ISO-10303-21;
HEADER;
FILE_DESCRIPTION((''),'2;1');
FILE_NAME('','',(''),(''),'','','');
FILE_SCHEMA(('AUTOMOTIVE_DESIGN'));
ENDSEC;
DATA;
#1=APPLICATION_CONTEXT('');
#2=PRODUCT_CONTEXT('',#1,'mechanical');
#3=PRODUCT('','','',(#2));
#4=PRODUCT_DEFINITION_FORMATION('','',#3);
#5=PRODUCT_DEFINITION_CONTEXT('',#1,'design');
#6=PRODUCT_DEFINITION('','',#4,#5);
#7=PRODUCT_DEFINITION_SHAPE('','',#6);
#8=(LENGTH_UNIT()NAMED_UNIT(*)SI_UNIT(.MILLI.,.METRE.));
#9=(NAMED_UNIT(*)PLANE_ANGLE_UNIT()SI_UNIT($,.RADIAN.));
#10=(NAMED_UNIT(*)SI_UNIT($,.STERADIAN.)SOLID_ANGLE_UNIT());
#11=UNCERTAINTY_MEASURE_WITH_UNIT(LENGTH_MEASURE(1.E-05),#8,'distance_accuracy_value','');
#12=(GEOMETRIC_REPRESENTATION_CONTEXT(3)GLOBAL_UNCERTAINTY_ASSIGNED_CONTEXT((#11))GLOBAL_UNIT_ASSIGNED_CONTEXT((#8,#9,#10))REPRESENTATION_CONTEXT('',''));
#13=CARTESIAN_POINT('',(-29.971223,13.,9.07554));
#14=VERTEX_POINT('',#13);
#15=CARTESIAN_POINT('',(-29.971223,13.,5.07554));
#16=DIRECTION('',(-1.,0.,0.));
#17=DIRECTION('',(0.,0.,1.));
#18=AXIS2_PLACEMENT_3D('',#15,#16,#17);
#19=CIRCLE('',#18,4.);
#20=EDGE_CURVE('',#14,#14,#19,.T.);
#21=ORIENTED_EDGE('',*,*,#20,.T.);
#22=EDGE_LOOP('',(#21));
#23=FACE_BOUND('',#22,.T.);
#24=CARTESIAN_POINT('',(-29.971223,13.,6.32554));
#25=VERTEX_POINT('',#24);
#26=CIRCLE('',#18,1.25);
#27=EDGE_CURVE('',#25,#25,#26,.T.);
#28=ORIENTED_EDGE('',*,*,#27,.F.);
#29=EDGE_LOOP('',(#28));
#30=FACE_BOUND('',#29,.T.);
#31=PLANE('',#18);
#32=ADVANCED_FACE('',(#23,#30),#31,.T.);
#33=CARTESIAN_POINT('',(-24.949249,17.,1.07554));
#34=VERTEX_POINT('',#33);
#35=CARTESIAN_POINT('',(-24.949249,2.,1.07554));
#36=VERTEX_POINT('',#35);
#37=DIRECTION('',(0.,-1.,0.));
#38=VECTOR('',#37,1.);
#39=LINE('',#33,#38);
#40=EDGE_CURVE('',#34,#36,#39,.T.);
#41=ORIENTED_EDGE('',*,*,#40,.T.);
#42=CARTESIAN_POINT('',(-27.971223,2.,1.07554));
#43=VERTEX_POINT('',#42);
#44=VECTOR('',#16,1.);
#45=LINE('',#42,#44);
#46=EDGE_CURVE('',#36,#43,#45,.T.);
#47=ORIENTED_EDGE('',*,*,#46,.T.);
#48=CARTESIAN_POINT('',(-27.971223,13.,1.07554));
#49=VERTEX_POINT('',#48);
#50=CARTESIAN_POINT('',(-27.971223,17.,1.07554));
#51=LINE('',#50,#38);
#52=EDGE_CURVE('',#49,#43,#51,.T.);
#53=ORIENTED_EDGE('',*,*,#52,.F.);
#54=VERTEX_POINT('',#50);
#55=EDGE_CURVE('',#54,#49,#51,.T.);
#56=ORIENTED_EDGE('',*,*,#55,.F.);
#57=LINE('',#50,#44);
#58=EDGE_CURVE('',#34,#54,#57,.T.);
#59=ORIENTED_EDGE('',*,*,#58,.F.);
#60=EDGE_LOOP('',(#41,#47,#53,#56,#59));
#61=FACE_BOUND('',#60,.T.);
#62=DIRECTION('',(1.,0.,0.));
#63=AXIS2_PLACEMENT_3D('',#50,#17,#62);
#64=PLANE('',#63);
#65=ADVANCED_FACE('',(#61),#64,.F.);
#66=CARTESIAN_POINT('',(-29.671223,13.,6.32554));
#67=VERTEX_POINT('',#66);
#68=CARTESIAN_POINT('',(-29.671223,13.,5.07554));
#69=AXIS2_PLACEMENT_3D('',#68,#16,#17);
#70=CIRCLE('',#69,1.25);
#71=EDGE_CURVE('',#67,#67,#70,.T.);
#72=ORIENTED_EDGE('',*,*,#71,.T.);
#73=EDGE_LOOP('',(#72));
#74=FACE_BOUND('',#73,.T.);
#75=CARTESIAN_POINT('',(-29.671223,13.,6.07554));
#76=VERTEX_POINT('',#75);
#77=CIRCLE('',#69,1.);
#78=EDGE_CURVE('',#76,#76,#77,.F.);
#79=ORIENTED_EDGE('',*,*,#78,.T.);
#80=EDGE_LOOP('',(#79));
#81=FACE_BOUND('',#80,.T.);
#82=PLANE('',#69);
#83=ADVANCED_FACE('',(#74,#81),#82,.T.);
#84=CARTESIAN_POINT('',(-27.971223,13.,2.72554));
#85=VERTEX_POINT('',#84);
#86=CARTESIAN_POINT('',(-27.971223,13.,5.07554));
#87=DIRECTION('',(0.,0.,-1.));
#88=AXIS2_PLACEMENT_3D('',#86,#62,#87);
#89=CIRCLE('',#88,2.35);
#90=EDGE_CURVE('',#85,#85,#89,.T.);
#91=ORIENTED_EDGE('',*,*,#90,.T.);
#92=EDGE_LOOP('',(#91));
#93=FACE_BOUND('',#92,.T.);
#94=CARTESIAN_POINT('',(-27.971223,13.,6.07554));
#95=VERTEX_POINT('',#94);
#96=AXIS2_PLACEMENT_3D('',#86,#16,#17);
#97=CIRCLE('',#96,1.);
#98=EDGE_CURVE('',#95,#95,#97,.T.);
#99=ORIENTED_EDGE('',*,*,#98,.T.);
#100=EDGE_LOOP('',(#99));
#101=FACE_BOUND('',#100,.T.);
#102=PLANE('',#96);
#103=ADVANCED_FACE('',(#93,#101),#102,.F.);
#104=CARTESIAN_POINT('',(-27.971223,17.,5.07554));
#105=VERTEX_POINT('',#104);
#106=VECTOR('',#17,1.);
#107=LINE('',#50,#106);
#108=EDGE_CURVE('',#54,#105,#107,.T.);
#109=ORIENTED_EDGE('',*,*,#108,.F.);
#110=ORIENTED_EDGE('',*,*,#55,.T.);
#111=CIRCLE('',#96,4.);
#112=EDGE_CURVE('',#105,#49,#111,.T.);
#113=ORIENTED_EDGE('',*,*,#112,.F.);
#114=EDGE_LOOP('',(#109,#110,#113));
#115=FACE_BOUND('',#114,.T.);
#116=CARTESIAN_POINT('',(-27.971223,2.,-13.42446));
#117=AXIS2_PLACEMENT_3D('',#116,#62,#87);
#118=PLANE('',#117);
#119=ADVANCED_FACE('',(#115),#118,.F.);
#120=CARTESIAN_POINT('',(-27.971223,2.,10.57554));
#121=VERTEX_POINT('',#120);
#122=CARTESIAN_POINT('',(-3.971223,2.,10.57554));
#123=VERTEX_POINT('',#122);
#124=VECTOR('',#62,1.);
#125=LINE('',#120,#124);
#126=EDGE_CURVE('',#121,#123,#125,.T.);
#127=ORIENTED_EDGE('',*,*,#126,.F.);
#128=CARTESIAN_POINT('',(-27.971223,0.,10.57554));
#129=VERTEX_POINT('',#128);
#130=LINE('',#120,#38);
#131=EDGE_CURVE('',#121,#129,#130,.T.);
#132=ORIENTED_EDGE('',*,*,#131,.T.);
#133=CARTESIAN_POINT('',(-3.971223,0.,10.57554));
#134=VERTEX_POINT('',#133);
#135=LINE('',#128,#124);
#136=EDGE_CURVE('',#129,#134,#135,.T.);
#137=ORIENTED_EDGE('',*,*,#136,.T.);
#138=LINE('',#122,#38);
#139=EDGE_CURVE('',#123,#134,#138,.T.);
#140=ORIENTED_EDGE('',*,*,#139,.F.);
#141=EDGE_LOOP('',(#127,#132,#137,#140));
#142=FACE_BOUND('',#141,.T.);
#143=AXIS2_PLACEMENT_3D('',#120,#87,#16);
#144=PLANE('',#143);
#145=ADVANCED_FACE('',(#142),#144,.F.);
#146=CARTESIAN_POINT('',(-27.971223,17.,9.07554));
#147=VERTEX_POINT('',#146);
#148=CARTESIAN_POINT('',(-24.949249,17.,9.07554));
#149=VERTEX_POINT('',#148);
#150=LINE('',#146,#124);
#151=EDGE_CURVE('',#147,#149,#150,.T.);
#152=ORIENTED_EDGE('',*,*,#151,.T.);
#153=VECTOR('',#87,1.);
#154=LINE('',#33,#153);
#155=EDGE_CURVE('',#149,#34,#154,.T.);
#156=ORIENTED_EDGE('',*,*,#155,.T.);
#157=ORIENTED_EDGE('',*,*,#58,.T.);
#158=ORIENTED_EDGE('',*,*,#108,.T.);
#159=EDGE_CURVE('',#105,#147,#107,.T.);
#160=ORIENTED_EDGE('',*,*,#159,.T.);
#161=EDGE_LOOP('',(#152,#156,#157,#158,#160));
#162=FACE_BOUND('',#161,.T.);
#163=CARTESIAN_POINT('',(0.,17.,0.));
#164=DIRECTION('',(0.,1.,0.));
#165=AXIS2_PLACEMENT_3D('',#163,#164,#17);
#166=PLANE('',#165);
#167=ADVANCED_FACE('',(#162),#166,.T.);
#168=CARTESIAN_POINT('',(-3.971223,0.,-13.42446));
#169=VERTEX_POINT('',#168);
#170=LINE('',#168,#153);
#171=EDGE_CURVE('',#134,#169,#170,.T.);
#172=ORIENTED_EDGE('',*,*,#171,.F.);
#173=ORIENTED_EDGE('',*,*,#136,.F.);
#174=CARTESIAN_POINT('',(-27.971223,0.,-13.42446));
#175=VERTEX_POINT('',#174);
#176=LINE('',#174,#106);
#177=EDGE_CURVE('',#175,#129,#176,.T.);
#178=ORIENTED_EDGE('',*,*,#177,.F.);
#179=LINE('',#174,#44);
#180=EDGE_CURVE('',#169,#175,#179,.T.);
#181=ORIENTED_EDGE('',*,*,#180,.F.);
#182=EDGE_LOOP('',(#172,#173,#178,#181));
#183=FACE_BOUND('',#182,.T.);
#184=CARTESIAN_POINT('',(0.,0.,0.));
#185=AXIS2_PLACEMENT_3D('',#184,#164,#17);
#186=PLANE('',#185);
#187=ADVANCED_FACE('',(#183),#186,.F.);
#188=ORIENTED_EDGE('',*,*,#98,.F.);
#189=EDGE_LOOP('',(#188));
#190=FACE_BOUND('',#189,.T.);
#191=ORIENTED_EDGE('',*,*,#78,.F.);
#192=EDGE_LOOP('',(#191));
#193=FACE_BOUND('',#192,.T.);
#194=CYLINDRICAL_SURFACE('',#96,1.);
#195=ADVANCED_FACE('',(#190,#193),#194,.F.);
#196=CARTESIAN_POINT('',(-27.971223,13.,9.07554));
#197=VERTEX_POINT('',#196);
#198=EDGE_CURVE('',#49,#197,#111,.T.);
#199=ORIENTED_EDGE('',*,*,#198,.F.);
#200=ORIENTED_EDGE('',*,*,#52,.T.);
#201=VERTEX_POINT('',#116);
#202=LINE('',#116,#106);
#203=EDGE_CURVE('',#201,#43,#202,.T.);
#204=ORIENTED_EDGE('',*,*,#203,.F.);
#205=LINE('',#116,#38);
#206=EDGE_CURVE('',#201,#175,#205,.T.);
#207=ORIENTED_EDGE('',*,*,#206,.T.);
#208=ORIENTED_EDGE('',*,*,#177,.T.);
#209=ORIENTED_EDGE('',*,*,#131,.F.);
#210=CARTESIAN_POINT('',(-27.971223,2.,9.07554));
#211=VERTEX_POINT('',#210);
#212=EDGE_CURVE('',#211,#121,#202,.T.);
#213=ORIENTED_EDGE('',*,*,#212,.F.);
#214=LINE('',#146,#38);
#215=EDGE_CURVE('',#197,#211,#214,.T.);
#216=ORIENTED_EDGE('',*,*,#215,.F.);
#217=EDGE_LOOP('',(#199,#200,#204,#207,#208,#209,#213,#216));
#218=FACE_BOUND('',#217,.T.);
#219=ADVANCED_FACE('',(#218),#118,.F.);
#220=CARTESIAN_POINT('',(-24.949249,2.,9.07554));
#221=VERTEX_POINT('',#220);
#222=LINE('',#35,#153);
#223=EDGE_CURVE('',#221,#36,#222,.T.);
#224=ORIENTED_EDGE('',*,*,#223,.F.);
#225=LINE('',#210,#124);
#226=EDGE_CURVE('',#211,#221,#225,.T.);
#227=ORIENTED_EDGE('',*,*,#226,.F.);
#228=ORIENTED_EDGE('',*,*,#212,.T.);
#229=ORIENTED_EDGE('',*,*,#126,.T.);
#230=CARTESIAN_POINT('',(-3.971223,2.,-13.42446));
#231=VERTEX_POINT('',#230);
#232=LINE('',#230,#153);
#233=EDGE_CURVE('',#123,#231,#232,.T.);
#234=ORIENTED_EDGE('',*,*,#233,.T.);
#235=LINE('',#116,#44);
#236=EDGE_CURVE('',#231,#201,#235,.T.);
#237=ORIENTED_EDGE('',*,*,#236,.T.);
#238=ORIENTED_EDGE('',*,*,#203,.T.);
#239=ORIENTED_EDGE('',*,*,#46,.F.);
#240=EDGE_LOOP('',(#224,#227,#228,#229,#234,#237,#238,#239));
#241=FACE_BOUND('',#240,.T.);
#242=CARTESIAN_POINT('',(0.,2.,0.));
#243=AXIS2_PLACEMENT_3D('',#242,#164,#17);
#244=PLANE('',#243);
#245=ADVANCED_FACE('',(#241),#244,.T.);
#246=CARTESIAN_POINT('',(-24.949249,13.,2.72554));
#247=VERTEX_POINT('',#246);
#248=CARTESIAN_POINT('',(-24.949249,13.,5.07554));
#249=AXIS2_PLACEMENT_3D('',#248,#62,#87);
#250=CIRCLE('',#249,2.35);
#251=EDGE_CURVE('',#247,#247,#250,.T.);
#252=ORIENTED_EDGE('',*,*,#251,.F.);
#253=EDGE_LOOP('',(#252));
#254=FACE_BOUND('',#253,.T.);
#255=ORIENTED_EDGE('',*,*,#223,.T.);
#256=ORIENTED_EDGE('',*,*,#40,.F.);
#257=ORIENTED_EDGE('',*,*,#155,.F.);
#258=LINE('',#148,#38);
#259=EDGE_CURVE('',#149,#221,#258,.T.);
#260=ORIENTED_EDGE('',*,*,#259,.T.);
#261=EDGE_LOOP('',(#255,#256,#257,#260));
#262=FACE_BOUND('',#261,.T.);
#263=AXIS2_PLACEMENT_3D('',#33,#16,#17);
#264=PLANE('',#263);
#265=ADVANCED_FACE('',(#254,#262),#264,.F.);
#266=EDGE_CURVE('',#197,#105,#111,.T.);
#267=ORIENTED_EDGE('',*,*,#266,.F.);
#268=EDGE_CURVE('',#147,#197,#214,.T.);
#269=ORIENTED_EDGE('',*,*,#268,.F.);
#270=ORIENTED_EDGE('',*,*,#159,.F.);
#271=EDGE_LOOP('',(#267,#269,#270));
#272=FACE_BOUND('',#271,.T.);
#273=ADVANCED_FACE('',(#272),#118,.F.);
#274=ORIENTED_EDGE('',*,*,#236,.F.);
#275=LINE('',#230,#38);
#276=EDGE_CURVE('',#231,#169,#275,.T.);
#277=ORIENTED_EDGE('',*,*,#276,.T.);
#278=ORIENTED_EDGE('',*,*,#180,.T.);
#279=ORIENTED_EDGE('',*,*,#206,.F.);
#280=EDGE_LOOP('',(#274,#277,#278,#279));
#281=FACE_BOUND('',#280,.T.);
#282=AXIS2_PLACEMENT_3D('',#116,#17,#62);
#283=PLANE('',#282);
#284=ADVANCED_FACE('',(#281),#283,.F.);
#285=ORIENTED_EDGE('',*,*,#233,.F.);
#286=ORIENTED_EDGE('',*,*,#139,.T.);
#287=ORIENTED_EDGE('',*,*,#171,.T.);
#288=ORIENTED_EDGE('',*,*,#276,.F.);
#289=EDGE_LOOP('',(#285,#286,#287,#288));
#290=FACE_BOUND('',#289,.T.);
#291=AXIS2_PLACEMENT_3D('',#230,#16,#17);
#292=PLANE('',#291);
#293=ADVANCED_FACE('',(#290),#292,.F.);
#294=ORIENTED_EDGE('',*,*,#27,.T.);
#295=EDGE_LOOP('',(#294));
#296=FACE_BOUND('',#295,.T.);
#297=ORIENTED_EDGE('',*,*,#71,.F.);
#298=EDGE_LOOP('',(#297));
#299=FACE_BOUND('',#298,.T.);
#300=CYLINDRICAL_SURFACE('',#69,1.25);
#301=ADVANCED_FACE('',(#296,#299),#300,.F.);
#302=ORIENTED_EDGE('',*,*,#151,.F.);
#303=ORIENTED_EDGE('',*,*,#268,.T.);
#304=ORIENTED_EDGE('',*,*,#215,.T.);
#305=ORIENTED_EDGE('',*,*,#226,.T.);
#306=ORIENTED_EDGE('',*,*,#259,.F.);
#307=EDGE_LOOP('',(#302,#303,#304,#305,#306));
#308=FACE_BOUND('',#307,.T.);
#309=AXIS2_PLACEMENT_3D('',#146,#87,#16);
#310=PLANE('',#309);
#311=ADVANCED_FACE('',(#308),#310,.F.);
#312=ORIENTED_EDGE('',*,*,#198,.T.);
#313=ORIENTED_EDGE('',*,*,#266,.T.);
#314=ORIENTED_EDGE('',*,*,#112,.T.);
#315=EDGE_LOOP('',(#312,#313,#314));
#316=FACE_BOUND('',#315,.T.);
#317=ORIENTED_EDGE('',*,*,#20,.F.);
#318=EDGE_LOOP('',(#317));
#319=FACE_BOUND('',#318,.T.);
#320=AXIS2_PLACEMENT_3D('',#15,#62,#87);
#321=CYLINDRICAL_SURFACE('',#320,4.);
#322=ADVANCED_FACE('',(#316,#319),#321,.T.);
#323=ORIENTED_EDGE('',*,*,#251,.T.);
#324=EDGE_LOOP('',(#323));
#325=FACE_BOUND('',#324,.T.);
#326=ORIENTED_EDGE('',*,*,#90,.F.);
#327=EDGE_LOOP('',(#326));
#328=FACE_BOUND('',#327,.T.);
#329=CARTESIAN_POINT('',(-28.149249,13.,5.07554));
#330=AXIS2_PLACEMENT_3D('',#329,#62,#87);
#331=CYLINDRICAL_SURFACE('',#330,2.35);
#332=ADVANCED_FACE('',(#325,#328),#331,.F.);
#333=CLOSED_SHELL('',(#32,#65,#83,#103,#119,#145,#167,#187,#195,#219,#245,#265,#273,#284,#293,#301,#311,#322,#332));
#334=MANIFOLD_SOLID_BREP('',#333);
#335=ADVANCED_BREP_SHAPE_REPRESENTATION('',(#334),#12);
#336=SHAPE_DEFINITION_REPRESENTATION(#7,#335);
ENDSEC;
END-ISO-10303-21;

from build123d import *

# Parameters (mm, degrees)
SKETCH3_W           = 24
SKETCH3_H           = 24
BOSS_EXTRUDE1_DEPTH = 2
SKETCH4_W           = 3.021973807
SKETCH4_H           = 8
BOSS_EXTRUDE2_DEPTH = 15
SKETCH6_R           = 2.35
CUT_EXTRUDE1_DEPTH  = 3.2
SKETCH7_R           = 4
BOSS_EXTRUDE3_DEPTH = 2
SKETCH8_R           = 1
CUT_EXTRUDE2_DEPTH  = 2
SKETCH9_R           = 1.25
CUT_EXTRUDE3_DEPTH  = 0.3


with BuildPart() as part:
    # Sketch3 → Boss-Extrude1 (new body)
    with BuildSketch(Plane(origin=(0, 0, 0), x_dir=(1, 0, 0), z_dir=(0, 1, 0))):
        with Locations((-15.971223022, 1.424460432)):
            Rectangle(SKETCH3_W, SKETCH3_H)
    extrude(amount=BOSS_EXTRUDE1_DEPTH)

    # Sketch4 → Boss-Extrude2 (add)
    with BuildSketch(Plane(origin=(0, 2, 0), x_dir=(1, 0, 0), z_dir=(0, 1, 0))):
        with Locations((-26.460236118, -5.075539568)):
            Rectangle(SKETCH4_W, SKETCH4_H)
    extrude(amount=BOSS_EXTRUDE2_DEPTH)

    # Sketch6 → Cut-Extrude1 (cut)
    with BuildSketch(Plane(origin=(-24.949249215, 0, 0), x_dir=(0, 0, -1), z_dir=(1, 0, 0))):
        with Locations((-5.075539568, 13)):
            Circle(SKETCH6_R)
    extrude(amount=-CUT_EXTRUDE1_DEPTH, mode=Mode.SUBTRACT)

    # Sketch7 → Boss-Extrude3 (add)
    with BuildSketch(Plane.ZY.offset(27.971223022)):
        with Locations((5.075539568, 13)):
            Circle(SKETCH7_R)
    extrude(amount=BOSS_EXTRUDE3_DEPTH)

    # Sketch8 → Cut-Extrude2 (cut)
    with BuildSketch(Plane.ZY.offset(29.971223022)):
        with Locations((5.075539568, 13)):
            Circle(SKETCH8_R)
    extrude(amount=-CUT_EXTRUDE2_DEPTH, mode=Mode.SUBTRACT)

    # Sketch9 → Cut-Extrude3 (cut)
    with BuildSketch(Plane.ZY.offset(29.971223022)):
        with Locations((5.075539568, 13)):
            Circle(SKETCH9_R)
    extrude(amount=-CUT_EXTRUDE3_DEPTH, mode=Mode.SUBTRACT)


solid = part.part
